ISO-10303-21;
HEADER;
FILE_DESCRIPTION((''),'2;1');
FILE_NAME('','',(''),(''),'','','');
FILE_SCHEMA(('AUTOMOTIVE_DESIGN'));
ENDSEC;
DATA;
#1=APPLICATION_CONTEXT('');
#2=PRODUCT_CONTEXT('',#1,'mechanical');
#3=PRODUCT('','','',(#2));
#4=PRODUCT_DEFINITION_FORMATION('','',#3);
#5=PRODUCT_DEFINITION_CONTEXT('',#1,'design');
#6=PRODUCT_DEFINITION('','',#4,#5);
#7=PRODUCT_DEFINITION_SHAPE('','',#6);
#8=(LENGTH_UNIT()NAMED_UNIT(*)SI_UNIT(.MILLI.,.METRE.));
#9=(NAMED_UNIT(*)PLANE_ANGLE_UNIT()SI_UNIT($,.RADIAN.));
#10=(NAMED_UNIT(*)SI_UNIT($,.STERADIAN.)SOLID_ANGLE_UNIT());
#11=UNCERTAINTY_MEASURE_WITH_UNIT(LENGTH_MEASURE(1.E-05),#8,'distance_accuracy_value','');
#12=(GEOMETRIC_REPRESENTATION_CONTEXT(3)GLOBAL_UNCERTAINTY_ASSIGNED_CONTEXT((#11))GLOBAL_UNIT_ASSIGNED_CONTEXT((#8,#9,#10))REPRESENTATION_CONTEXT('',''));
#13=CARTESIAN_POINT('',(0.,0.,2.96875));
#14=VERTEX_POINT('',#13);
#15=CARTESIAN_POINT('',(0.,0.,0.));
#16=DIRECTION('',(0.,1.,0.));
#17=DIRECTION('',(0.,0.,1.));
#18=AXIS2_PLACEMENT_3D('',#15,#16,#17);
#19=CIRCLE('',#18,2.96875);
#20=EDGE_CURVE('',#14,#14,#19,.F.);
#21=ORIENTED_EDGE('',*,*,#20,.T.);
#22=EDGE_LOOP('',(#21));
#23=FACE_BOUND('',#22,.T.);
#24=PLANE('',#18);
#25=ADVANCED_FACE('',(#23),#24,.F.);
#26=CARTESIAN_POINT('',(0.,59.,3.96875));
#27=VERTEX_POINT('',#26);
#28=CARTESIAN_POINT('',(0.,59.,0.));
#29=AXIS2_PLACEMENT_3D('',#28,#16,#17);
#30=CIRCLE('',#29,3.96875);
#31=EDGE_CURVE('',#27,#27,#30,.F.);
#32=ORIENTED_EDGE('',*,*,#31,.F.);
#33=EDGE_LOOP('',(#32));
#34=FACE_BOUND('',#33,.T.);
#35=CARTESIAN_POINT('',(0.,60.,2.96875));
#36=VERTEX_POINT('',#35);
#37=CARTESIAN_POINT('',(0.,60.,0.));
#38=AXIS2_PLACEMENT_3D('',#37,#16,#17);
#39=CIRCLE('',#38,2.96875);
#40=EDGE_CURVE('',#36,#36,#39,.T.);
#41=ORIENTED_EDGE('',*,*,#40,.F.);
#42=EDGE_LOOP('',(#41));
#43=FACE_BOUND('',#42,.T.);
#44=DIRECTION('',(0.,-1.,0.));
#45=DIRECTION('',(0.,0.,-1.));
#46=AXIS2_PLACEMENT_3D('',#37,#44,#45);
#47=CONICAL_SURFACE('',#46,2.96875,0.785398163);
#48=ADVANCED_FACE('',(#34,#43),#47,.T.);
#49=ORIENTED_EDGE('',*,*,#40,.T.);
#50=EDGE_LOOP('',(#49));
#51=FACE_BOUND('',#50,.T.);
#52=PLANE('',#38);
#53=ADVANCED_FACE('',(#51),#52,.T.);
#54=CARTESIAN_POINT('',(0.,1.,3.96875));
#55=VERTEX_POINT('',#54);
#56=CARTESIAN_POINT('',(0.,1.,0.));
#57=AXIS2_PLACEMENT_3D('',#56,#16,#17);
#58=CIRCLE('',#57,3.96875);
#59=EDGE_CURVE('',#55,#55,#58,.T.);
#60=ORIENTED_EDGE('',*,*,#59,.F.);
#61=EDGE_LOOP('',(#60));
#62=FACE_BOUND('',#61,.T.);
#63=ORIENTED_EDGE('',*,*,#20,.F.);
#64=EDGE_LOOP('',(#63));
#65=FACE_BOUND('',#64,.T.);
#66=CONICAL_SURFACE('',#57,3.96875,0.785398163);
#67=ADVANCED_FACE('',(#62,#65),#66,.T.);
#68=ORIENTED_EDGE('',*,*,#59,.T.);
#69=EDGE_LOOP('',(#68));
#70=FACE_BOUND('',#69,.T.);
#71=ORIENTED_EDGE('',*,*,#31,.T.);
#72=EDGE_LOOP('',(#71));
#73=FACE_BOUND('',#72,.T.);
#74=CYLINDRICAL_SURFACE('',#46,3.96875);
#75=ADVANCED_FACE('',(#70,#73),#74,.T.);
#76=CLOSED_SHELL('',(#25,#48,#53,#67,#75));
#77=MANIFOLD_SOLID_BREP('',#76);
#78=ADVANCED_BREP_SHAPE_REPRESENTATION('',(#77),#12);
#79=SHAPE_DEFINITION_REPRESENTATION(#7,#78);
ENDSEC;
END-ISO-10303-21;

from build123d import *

# Parameters (mm, degrees)
SKETCH1_R           = 3.96875
BOSS_EXTRUDE1_DEPTH = 60
CHAMFER1_SIZE       = 1


with BuildPart() as part:
    # Sketch1 → Boss-Extrude1 (new body)
    with BuildSketch(Plane(origin=(0, 0, 0), x_dir=(1, 0, 0), z_dir=(0, 1, 0))):
        Circle(SKETCH1_R)
    extrude(amount=BOSS_EXTRUDE1_DEPTH)

    # Chamfer1
    chamfer1_edges = [part.edges().sort_by_distance(p)[0] for p in [
        (-3.96875, 0, 0),
        (-3.96875, 60, 0),
    ]]
    chamfer(chamfer1_edges, length=CHAMFER1_SIZE)


solid = part.part
